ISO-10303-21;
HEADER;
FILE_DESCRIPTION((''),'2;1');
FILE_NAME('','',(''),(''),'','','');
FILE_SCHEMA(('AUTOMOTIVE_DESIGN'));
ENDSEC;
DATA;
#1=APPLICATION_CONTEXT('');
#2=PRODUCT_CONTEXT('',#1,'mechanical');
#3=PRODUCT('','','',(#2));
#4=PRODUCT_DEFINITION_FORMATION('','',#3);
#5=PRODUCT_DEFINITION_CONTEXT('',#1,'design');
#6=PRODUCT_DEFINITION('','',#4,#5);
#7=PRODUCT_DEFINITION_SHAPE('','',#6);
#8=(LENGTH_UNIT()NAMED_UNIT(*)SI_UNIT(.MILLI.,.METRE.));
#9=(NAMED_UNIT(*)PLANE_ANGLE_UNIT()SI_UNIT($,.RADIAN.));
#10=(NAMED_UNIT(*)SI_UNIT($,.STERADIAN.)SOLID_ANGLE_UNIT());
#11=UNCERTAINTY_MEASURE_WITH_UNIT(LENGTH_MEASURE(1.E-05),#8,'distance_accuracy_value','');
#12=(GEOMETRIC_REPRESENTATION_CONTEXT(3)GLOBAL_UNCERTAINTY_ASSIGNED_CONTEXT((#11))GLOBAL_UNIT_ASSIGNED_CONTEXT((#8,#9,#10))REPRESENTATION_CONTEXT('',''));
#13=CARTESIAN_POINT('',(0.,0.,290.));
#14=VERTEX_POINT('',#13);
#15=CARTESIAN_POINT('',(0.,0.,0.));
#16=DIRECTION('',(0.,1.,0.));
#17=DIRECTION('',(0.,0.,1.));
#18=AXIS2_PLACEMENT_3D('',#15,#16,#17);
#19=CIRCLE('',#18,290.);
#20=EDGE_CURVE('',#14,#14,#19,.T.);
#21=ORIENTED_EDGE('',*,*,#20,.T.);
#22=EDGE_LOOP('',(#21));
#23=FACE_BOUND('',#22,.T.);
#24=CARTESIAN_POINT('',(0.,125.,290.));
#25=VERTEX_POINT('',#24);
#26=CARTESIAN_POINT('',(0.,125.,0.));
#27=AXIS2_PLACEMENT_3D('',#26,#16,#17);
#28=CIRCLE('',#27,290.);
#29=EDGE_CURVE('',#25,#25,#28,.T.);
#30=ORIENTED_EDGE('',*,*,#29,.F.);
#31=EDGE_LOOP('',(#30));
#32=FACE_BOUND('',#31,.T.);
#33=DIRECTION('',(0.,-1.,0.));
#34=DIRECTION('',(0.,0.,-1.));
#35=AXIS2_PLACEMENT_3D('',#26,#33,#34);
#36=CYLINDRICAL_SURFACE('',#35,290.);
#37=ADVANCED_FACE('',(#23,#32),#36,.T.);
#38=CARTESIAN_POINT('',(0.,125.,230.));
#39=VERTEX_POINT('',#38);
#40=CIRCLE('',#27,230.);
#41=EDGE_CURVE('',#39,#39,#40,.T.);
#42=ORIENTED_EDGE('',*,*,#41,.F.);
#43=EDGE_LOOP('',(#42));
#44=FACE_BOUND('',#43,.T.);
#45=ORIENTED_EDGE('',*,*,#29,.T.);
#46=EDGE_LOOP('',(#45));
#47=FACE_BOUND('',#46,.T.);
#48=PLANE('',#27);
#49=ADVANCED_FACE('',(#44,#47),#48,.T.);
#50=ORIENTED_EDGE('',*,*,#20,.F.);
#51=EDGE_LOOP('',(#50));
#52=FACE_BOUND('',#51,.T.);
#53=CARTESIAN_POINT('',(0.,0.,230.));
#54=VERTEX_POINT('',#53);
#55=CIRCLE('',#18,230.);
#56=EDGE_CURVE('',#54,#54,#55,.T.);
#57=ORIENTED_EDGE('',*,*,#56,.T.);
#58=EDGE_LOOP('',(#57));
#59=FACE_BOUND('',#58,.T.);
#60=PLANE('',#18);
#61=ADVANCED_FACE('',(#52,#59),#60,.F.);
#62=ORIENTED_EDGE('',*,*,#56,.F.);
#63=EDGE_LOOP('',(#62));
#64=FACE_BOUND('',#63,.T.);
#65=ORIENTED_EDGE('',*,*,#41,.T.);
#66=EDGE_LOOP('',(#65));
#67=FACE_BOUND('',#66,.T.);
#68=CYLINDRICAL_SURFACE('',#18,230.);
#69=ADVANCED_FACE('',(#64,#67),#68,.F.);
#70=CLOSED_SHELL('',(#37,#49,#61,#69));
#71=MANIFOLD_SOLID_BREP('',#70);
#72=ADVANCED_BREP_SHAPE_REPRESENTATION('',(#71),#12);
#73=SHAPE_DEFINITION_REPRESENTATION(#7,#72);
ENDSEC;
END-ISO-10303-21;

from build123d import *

# Parameters (mm, degrees)
SKETCH1_R           = 290
BOSS_EXTRUDE1_DEPTH = 125
SKETCH2_R           = 230
CUT_EXTRUDE1_DEPTH  = 126


with BuildPart() as part:
    # Sketch1 → Boss-Extrude1 (new body)
    with BuildSketch(Plane(origin=(0, 0, 0), x_dir=(1, 0, 0), z_dir=(0, 1, 0))):
        Circle(SKETCH1_R)
    extrude(amount=BOSS_EXTRUDE1_DEPTH)

    # Sketch2 → Cut-Extrude1 (cut, through all)
    with BuildSketch(Plane(origin=(0, 125, 0), x_dir=(1, 0, 0), z_dir=(0, 1, 0))):
        Circle(SKETCH2_R)
    extrude(amount=-CUT_EXTRUDE1_DEPTH, mode=Mode.SUBTRACT)


solid = part.part
